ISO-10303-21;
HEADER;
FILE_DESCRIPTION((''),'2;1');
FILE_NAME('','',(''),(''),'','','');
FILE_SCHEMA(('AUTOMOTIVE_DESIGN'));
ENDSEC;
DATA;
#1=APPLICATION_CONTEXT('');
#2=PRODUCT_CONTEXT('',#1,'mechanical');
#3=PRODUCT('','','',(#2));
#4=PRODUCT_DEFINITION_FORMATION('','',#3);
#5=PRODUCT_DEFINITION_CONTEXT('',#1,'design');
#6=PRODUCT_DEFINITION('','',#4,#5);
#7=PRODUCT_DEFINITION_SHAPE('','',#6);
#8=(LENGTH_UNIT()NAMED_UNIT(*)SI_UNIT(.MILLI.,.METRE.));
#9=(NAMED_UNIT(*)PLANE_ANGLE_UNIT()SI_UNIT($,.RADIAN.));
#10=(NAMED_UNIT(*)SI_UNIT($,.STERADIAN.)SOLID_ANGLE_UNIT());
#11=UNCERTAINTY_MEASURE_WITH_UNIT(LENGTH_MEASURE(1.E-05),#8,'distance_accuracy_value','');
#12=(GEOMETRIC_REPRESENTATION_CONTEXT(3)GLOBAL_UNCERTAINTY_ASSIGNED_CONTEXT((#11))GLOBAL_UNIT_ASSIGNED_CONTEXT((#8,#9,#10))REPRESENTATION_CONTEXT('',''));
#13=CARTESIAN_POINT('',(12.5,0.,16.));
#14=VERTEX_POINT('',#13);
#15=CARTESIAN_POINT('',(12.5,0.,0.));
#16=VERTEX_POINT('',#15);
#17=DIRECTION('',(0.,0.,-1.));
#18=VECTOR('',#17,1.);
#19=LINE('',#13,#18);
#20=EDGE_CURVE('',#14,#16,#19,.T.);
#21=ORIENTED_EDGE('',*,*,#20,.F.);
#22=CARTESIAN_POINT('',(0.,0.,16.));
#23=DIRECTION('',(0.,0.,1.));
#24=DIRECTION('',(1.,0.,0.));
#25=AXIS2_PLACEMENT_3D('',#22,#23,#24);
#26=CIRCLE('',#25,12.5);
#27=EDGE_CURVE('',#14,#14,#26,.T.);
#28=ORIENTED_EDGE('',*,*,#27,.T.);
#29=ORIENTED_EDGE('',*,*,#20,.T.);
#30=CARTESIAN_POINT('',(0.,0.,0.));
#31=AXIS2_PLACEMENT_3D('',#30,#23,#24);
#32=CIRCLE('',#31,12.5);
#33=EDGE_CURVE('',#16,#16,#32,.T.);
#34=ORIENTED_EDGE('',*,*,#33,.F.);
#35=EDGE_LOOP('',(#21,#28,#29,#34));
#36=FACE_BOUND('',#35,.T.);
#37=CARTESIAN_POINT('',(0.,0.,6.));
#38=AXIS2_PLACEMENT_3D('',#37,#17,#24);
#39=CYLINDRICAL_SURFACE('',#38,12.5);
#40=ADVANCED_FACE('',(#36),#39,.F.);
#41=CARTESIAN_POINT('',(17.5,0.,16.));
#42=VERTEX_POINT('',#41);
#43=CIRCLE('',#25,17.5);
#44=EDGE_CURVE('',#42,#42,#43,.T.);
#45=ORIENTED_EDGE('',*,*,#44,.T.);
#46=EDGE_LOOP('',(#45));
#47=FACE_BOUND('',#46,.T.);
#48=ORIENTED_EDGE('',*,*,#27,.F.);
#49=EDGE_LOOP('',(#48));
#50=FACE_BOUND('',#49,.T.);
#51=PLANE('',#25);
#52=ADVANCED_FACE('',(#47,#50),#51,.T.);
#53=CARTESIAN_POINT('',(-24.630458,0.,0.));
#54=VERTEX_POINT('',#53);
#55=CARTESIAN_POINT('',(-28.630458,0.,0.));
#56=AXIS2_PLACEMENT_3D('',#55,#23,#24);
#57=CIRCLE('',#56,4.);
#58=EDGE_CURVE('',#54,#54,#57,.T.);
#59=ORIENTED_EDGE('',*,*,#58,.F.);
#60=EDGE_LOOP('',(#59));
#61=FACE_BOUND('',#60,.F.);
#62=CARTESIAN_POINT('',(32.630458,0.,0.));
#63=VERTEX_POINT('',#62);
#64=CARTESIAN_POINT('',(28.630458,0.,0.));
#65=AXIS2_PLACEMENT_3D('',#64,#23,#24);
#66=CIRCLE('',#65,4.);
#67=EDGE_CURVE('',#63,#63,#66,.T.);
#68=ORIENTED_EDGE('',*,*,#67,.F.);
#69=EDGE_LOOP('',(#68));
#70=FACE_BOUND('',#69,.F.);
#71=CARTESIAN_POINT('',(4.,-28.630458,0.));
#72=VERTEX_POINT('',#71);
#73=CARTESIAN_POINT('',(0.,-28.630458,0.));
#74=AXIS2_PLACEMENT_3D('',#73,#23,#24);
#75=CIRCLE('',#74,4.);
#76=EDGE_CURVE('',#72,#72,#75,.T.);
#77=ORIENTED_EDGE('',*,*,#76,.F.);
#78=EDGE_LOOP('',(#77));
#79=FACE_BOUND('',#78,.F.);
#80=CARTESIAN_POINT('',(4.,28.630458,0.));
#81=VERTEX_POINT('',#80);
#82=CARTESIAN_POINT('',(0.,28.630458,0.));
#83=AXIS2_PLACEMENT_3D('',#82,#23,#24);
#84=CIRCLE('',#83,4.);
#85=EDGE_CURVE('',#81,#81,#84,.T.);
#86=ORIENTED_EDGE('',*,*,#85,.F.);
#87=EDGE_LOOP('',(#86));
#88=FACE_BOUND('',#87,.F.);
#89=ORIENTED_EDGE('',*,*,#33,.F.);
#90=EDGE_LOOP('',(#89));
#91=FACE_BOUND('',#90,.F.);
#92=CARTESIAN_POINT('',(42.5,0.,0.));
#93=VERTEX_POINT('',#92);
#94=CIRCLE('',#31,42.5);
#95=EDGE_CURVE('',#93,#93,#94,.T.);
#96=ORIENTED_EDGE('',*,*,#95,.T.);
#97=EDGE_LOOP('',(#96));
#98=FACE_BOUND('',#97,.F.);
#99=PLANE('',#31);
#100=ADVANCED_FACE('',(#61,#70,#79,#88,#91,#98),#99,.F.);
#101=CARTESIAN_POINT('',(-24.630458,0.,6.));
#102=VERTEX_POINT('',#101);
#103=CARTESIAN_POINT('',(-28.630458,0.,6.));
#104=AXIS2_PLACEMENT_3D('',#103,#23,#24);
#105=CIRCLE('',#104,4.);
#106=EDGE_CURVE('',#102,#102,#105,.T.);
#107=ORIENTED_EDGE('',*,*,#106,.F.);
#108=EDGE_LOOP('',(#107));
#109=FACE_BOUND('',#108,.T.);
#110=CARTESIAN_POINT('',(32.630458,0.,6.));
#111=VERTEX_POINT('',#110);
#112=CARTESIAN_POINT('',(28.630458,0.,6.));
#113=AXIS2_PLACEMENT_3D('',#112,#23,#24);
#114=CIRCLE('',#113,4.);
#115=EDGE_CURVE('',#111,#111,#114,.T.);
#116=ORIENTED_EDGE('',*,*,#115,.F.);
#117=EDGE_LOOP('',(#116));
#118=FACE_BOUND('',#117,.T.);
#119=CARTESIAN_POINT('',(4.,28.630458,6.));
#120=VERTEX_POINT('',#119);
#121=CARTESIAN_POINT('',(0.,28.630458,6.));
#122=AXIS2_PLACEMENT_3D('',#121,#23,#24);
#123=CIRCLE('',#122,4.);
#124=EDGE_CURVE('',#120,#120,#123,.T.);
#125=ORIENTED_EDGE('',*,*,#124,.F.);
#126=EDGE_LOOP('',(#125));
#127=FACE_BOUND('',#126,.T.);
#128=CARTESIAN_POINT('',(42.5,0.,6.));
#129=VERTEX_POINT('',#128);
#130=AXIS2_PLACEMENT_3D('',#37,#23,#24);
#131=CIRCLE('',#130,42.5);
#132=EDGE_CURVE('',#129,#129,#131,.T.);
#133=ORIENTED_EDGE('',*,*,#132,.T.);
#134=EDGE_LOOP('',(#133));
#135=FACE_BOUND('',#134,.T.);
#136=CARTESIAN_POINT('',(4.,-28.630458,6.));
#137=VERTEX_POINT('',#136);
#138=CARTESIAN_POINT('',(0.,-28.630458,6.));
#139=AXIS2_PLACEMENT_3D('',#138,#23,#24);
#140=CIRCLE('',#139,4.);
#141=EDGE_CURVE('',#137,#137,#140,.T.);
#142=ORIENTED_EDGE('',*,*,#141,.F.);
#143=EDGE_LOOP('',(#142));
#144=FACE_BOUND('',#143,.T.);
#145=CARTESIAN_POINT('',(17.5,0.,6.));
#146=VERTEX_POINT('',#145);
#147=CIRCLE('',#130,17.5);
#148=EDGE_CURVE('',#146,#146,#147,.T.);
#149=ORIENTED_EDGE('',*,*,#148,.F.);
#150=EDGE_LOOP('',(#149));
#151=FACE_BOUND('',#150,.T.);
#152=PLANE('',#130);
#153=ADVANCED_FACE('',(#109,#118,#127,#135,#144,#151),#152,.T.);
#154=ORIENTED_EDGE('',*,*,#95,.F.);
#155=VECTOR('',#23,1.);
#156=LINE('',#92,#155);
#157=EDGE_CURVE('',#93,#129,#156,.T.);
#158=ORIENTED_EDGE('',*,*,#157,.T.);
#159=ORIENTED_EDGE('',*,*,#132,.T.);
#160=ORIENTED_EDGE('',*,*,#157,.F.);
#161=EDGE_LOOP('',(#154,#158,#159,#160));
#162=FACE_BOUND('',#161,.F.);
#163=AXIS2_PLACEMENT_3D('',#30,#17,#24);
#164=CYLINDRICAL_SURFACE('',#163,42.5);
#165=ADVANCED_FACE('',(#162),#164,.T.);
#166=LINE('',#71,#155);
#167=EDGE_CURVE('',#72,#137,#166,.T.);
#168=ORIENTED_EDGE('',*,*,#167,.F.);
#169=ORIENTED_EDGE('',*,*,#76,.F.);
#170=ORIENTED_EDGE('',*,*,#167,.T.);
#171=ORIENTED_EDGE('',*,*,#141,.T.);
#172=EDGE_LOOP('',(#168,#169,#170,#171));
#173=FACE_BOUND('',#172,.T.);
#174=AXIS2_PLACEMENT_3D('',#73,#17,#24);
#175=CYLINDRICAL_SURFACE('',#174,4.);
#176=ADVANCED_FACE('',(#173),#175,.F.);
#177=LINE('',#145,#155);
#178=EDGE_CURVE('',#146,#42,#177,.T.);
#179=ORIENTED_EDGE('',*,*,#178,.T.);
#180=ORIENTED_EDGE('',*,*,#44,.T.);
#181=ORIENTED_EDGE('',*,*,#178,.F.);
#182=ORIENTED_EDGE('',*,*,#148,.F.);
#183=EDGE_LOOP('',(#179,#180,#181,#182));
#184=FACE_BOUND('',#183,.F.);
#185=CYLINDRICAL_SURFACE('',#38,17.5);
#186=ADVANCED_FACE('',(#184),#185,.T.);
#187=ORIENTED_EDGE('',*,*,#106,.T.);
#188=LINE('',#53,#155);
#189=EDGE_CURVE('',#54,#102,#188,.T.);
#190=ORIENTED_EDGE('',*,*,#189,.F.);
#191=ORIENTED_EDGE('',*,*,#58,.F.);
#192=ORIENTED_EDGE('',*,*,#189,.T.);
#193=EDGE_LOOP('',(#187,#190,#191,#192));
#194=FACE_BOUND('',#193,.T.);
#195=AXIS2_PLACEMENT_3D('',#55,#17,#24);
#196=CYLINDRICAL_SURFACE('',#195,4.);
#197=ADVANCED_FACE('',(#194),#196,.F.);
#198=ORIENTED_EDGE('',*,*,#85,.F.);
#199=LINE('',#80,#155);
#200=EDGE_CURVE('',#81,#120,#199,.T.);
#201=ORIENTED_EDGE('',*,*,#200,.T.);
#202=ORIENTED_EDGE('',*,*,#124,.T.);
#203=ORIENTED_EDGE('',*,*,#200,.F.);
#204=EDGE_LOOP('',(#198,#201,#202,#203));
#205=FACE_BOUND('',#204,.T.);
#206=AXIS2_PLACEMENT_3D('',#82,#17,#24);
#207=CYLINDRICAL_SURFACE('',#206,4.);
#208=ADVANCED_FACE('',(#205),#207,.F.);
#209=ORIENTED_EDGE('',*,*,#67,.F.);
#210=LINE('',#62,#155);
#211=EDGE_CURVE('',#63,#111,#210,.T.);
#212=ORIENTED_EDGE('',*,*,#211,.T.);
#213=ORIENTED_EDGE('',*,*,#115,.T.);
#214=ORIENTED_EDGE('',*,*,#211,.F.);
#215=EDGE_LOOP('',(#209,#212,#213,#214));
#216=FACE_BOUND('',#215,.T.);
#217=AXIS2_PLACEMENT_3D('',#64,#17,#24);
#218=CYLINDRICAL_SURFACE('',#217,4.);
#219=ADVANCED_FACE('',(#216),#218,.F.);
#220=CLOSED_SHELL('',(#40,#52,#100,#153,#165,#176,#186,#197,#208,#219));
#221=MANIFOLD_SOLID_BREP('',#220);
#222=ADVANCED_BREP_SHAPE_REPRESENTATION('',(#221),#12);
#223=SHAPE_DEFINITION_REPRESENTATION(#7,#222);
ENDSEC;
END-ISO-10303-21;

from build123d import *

# Parameters (mm, degrees)
F0_R     = 42.5
F0_R_2   = 4
F0_R_3   = 12.5
F1_DEPTH = 6
F2_R     = 17.5
F2_R_2   = 12.5
F3_DEPTH = 10


with BuildPart() as f1:
    # F0 (on Top) → F1 (new body)
    with BuildSketch(Plane.XY):
        Circle(F0_R)
        with Locations((0, -28.630458)):
            Circle(F0_R_2, mode=Mode.SUBTRACT)
        with Locations((-28.630458, 0)):
            Circle(F0_R_2, mode=Mode.SUBTRACT)
        Circle(F0_R_3, mode=Mode.SUBTRACT)
        with Locations((28.630458, 0)):
            Circle(F0_R_2, mode=Mode.SUBTRACT)
        with Locations((0, 28.630458)):
            Circle(F0_R_2, mode=Mode.SUBTRACT)
    extrude(amount=F1_DEPTH)

    # F2 (on face) → F3 (join)
    with BuildSketch(Plane.XY.offset(6)):
        Circle(F2_R)
        Circle(F2_R_2, mode=Mode.SUBTRACT)
    extrude(amount=F3_DEPTH)


solid = f1.part
